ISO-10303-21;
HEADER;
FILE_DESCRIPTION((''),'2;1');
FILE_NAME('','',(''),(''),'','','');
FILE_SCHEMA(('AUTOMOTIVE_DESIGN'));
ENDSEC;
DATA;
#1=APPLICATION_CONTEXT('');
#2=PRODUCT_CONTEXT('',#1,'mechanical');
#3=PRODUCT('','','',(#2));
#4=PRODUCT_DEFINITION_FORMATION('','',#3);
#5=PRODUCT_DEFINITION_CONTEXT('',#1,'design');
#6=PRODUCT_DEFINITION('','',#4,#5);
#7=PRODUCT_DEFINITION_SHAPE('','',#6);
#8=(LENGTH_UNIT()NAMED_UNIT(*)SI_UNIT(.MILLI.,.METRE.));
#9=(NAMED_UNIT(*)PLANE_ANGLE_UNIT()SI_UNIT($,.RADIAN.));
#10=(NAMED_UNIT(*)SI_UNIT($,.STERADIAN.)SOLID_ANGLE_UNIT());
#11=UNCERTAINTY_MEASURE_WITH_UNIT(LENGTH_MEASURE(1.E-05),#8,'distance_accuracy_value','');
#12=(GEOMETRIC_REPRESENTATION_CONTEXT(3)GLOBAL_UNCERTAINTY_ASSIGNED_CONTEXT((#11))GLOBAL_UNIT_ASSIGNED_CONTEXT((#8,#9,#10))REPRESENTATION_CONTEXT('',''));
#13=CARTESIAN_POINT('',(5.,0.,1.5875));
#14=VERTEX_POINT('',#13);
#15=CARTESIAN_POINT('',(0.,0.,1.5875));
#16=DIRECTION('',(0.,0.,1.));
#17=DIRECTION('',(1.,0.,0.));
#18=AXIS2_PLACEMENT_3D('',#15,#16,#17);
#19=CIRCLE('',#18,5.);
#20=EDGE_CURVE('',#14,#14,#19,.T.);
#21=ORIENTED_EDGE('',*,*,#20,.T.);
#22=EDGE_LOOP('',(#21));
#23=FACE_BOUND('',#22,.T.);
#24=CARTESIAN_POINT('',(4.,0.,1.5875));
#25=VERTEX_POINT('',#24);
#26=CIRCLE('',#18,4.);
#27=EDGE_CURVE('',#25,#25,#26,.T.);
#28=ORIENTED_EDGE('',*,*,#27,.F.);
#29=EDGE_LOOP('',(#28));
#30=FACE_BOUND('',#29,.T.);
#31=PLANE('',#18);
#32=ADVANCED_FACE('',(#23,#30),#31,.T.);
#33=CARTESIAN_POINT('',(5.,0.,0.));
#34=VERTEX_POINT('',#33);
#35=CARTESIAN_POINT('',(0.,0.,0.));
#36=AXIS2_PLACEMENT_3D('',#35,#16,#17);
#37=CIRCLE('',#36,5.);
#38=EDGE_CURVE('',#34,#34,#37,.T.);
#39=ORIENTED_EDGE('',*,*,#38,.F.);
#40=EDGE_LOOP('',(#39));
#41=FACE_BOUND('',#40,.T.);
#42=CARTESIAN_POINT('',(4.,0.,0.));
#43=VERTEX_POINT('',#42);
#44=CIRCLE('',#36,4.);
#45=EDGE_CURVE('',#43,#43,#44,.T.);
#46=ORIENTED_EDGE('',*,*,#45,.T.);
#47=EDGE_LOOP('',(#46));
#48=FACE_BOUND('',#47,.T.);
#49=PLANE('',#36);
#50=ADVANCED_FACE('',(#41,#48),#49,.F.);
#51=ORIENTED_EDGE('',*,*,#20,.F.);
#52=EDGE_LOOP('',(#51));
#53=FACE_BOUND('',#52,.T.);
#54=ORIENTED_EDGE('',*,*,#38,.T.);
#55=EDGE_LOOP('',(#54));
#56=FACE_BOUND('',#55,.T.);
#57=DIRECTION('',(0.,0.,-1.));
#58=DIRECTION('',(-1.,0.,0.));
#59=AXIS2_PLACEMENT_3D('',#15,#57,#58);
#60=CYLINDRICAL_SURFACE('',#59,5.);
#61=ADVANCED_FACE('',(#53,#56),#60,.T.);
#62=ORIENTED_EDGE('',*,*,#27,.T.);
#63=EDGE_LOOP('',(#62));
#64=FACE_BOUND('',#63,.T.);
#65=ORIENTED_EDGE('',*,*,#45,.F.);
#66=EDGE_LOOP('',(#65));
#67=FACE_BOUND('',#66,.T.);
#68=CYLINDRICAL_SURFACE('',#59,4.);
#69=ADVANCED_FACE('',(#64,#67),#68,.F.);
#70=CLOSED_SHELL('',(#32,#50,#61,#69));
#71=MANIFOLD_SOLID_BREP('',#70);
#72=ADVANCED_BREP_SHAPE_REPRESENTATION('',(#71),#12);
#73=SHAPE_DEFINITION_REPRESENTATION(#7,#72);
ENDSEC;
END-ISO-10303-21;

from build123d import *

# Parameters (mm, degrees)
SKETCH1_R           = 5
SKETCH1_R_2         = 4
BOSS_EXTRUDE1_DEPTH = 1.5875


with BuildPart() as part:
    # Sketch1 → Boss-Extrude1 (new body)
    with BuildSketch(Plane.XY):
        Circle(SKETCH1_R)
        Circle(SKETCH1_R_2, mode=Mode.SUBTRACT)
    extrude(amount=BOSS_EXTRUDE1_DEPTH)


solid = part.part
